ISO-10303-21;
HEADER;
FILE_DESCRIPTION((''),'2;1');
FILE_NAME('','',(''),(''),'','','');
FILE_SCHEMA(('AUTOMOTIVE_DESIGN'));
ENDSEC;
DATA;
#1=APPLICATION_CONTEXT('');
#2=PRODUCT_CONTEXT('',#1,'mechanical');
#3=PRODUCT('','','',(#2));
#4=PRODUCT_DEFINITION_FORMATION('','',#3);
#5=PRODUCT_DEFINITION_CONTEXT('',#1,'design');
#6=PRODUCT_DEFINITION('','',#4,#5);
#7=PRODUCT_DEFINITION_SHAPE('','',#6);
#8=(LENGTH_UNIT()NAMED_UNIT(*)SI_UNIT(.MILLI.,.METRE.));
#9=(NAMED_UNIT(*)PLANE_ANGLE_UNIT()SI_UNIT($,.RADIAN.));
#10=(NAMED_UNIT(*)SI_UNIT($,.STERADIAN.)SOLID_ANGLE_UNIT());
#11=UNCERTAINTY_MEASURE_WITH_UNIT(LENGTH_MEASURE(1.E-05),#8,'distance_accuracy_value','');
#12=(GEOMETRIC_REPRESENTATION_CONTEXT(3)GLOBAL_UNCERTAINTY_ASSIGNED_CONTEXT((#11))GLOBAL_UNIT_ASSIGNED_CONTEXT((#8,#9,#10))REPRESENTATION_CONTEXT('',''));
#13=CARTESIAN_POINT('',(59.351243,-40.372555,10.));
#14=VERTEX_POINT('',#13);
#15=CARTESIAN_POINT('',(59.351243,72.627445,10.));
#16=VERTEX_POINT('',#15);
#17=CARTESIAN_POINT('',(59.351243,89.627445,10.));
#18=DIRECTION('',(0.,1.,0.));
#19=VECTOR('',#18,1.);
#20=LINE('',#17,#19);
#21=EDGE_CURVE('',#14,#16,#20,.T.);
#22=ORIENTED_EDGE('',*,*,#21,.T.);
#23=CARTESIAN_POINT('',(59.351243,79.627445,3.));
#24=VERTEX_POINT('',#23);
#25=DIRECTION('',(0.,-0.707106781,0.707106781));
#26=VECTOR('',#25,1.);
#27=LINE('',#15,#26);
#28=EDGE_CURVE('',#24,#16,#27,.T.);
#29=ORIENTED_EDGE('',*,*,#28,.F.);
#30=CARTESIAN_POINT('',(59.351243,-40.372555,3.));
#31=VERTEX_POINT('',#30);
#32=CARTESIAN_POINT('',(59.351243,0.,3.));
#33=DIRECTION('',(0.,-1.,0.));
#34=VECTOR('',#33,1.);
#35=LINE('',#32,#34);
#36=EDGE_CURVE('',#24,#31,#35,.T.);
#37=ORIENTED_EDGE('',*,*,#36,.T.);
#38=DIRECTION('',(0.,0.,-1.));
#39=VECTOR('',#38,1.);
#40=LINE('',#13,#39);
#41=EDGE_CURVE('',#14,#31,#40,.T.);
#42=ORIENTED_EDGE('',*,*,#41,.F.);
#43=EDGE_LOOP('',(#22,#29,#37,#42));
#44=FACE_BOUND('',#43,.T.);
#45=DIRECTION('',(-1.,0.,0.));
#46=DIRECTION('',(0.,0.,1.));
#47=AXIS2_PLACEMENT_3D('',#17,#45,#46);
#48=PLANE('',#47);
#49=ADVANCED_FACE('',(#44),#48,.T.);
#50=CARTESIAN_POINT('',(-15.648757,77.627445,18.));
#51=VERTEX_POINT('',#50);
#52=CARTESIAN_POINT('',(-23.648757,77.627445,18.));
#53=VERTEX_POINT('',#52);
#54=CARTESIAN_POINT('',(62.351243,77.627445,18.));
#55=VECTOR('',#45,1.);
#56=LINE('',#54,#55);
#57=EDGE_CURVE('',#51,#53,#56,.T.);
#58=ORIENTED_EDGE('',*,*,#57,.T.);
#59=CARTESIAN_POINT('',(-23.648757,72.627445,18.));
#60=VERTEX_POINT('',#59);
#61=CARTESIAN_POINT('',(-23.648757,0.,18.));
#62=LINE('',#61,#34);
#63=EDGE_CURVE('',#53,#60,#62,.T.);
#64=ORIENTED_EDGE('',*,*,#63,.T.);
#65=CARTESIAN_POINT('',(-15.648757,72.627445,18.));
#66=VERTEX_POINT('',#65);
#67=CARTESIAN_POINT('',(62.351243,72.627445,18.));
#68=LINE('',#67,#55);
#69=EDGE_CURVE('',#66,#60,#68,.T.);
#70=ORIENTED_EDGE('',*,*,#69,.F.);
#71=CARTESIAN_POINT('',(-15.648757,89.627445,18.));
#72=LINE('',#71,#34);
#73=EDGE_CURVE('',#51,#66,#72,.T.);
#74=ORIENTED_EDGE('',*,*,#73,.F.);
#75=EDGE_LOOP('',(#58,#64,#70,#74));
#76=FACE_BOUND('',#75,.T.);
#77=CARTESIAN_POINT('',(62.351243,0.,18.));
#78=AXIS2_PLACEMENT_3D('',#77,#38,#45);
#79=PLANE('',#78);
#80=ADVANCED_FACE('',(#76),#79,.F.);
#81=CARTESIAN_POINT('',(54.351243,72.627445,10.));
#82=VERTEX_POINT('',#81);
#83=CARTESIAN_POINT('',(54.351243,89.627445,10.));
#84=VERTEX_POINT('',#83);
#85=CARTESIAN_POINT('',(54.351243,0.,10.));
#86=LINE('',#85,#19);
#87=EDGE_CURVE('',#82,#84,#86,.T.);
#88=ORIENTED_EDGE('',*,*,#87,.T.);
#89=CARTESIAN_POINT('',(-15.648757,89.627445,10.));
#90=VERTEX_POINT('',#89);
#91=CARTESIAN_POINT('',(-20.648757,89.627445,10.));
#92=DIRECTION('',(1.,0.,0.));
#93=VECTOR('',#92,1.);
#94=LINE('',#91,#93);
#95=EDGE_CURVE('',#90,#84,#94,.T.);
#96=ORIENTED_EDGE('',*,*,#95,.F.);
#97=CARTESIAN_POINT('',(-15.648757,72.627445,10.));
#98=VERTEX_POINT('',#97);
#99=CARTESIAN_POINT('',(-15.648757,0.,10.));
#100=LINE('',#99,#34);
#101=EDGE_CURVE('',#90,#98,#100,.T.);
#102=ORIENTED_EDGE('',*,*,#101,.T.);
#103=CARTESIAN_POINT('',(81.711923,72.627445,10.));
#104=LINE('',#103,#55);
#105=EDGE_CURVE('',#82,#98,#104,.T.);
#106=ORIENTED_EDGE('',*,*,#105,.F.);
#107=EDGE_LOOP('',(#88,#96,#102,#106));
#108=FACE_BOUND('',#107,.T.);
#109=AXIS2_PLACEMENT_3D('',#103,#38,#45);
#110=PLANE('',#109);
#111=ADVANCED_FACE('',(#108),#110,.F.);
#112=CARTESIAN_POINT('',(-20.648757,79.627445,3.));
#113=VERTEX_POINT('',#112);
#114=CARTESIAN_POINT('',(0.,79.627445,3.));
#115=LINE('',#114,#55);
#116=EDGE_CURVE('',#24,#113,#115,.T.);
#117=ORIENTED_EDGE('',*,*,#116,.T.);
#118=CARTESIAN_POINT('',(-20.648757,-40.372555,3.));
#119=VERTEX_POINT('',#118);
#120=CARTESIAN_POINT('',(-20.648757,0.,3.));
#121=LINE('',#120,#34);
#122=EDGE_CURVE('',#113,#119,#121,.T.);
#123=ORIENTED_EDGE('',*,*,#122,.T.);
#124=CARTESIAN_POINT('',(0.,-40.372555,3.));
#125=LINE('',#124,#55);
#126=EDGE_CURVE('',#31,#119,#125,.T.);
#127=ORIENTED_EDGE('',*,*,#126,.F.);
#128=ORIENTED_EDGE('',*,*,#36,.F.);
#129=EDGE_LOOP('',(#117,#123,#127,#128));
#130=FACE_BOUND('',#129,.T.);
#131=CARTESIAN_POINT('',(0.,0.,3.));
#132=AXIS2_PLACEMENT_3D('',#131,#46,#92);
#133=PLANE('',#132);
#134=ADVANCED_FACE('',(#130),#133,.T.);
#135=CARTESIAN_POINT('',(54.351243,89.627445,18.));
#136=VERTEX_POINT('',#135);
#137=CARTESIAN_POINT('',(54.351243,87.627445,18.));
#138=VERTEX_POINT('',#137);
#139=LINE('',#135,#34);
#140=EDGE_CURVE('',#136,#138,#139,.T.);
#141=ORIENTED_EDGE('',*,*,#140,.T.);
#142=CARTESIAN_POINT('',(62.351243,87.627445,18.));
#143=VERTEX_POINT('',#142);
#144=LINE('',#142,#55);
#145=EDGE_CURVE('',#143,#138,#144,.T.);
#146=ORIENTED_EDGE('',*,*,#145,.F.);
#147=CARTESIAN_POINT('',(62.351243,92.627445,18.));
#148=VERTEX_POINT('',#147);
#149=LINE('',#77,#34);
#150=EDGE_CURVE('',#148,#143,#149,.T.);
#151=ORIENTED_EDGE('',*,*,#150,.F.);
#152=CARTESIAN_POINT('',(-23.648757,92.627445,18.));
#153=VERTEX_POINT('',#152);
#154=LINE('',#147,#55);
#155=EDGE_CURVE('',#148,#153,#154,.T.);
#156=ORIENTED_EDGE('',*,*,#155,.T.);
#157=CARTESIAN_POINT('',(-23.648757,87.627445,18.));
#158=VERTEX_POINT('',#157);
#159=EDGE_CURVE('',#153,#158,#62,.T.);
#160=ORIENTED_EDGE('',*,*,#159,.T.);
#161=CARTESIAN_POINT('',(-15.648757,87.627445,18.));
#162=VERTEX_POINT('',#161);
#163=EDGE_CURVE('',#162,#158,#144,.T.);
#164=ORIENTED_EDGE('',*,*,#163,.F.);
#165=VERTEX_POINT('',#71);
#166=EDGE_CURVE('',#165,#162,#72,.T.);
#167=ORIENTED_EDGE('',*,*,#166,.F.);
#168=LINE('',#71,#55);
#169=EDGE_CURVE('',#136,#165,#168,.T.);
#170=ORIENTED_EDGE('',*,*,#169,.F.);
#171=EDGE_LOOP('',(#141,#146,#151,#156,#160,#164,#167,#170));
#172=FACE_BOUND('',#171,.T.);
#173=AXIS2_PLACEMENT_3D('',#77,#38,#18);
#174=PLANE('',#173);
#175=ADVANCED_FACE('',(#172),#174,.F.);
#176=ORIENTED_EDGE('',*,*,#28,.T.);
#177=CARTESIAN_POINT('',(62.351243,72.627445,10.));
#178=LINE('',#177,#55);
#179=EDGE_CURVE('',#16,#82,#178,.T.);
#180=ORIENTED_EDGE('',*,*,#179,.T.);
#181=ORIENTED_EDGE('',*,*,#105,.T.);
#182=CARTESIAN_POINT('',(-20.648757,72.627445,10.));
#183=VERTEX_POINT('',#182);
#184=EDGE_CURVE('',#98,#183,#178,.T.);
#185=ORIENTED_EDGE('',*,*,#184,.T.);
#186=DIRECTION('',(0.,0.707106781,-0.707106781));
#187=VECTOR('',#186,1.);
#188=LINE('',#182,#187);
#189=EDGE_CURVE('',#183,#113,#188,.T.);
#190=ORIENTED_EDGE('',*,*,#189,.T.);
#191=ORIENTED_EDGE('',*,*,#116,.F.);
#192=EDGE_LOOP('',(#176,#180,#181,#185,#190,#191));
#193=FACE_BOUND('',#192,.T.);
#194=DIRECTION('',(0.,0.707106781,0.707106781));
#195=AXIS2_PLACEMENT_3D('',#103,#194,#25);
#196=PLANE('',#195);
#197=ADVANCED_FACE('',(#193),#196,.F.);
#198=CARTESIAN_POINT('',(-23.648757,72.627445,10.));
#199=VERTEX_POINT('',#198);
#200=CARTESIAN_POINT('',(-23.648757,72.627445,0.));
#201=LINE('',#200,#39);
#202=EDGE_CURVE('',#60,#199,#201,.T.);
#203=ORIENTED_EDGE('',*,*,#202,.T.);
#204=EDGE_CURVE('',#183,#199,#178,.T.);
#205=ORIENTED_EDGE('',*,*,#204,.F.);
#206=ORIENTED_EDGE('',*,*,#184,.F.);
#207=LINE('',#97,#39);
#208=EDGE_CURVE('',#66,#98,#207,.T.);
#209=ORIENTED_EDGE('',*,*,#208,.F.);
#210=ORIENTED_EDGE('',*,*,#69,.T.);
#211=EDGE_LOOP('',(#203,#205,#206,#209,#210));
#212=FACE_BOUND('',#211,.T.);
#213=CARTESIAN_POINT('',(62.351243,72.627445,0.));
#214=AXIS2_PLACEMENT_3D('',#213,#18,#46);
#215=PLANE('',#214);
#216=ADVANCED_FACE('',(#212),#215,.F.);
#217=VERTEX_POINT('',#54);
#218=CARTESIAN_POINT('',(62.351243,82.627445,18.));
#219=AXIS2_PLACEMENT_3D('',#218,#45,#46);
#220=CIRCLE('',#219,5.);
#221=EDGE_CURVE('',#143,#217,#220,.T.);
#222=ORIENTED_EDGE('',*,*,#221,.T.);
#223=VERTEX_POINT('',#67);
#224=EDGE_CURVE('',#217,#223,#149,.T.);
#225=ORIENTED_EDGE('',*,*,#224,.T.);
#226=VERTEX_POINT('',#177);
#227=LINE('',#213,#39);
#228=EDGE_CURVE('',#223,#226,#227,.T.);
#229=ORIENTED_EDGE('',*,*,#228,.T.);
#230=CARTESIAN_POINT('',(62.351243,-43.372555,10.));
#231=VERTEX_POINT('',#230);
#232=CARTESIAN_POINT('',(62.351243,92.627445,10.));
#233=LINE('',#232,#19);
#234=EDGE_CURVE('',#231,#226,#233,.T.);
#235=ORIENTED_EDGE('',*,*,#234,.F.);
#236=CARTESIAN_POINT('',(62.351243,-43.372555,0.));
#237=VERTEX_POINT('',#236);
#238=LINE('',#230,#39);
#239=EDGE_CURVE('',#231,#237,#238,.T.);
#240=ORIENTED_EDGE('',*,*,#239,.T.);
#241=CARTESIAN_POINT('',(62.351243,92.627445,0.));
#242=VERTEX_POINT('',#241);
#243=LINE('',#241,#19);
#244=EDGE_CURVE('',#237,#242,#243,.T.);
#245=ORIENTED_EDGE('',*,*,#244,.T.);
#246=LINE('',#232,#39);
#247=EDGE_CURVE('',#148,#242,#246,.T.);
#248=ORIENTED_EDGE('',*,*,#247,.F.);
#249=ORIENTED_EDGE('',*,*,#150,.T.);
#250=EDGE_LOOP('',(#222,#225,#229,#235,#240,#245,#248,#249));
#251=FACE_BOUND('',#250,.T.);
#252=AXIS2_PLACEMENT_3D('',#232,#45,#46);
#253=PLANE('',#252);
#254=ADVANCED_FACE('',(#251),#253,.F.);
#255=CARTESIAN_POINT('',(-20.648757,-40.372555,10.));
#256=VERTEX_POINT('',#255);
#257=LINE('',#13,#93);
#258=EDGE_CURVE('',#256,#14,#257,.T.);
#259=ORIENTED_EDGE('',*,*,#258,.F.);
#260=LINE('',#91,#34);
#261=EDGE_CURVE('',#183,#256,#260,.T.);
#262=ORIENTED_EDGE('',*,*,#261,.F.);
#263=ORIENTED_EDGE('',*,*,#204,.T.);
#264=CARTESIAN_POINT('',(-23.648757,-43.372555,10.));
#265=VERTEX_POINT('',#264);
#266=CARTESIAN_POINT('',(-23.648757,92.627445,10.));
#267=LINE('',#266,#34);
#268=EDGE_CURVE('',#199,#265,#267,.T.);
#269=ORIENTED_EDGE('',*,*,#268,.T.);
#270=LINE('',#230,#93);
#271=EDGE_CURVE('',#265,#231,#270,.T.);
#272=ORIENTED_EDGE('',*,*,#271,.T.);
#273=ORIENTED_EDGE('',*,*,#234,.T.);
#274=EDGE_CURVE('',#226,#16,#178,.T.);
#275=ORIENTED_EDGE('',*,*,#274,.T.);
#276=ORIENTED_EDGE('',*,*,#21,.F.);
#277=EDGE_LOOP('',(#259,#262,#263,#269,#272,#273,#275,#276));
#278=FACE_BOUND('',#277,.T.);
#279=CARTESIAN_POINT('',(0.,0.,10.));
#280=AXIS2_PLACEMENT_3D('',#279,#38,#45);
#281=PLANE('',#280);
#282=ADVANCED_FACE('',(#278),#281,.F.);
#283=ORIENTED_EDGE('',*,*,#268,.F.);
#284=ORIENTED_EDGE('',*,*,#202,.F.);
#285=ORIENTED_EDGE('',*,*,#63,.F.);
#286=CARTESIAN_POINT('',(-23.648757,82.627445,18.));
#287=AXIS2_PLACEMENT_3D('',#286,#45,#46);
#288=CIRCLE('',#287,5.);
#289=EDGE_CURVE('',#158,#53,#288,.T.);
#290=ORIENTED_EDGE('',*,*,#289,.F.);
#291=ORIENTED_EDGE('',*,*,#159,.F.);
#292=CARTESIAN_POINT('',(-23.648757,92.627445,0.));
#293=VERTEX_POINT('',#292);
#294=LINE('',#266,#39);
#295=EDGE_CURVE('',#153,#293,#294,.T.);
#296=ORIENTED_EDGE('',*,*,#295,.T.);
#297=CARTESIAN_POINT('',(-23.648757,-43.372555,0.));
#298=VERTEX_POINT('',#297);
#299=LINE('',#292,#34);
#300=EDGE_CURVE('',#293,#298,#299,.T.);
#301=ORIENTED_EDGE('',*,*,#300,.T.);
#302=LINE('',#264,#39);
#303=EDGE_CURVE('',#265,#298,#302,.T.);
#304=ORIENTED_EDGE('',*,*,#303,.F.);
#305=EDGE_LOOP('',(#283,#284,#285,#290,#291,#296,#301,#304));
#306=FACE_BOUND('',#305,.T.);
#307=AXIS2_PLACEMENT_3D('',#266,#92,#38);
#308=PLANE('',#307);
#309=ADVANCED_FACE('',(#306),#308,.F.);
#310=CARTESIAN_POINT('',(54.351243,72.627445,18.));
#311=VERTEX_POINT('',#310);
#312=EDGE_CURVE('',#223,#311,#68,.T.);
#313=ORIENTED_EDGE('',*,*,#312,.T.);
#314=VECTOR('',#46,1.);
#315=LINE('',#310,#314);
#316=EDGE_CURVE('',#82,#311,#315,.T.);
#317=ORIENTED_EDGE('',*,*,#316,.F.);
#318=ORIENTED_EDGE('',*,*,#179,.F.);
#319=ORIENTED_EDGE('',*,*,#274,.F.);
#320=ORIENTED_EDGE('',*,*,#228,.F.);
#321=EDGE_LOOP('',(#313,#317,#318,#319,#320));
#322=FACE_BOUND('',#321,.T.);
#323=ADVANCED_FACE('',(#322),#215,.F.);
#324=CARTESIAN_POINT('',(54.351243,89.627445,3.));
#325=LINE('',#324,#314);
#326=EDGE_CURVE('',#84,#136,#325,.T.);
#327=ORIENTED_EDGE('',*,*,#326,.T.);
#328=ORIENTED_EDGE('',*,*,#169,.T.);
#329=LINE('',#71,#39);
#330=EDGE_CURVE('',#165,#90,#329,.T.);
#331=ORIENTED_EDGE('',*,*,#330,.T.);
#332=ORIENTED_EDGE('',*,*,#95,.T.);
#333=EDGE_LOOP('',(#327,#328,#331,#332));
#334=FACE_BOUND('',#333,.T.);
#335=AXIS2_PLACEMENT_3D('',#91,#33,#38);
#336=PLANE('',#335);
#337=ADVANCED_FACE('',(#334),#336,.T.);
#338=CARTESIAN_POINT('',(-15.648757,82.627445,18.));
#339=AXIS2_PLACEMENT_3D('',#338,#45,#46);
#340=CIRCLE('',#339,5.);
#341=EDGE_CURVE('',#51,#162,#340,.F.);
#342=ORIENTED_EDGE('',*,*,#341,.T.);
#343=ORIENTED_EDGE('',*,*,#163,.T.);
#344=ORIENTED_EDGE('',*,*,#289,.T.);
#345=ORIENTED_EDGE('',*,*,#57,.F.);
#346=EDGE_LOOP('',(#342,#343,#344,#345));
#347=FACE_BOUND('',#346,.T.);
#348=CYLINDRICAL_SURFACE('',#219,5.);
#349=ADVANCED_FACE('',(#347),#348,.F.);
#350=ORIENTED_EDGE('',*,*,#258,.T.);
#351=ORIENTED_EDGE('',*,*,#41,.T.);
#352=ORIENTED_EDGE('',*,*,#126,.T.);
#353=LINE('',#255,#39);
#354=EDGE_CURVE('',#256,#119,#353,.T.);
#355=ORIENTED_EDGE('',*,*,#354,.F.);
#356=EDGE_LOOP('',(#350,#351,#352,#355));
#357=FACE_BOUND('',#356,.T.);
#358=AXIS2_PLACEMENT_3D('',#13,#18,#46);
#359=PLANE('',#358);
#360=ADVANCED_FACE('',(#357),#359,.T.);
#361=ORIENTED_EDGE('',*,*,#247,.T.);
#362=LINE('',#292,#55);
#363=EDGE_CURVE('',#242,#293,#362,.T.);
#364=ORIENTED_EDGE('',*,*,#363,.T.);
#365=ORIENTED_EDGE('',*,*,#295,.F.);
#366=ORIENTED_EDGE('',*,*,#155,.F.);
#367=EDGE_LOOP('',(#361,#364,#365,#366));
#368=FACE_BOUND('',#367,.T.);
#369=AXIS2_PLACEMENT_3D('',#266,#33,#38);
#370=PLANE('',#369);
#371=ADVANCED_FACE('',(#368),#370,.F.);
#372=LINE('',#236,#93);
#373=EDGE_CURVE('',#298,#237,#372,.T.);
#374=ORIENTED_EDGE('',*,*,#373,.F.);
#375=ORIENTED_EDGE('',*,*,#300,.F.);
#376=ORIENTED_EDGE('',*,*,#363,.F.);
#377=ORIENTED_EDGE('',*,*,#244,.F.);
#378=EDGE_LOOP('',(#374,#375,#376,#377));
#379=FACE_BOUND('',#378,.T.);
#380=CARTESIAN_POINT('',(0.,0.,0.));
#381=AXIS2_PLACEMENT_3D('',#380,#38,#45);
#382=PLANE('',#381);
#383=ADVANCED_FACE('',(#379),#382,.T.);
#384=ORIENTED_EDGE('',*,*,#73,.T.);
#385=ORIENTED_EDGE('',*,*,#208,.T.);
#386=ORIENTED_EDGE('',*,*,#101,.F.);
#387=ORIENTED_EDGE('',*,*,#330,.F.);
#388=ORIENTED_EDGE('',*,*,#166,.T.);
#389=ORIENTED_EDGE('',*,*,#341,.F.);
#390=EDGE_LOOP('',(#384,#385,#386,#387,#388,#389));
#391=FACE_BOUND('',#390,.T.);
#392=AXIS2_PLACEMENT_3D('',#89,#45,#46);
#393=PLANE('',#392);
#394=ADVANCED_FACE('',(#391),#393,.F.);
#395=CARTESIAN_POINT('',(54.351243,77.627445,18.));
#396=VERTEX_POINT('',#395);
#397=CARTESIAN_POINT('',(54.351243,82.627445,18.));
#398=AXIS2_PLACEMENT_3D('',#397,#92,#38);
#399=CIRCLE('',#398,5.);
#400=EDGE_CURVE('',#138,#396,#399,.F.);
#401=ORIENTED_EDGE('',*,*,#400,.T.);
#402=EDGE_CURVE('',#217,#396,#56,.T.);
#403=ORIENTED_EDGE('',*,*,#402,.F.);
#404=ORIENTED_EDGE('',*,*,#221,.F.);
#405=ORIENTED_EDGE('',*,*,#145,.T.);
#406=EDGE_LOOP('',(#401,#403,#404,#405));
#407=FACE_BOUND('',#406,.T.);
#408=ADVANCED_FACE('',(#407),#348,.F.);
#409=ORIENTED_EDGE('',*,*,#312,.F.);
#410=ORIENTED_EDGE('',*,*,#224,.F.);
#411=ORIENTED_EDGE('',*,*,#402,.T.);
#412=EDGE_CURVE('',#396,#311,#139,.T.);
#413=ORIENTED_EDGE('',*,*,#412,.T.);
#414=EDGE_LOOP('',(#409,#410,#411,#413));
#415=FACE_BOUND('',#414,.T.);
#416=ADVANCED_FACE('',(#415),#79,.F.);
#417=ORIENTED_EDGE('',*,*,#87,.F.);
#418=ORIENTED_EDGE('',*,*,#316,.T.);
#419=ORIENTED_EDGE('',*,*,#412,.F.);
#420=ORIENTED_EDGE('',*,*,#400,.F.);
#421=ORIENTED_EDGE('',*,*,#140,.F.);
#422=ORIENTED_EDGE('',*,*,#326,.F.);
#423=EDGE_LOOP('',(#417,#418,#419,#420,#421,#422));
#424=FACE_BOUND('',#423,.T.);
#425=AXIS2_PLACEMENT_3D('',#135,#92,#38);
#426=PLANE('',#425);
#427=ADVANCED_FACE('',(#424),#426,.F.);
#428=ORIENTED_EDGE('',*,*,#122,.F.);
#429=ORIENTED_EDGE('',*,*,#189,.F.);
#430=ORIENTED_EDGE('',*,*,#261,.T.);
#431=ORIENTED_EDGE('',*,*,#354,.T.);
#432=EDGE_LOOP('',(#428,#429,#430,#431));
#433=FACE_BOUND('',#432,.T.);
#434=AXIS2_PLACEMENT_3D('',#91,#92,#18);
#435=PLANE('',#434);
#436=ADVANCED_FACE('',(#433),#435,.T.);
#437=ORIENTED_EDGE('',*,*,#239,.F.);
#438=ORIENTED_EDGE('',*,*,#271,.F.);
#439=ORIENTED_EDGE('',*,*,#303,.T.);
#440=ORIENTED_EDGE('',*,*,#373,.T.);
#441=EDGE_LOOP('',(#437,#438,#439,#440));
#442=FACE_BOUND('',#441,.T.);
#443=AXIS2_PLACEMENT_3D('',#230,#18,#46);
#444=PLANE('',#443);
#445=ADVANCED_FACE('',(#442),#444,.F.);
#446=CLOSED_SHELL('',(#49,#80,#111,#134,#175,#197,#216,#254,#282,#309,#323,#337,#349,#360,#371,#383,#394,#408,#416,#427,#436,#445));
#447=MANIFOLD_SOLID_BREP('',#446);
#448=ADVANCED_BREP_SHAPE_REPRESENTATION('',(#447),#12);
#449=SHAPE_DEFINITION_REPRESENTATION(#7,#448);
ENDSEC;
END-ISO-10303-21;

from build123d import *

# Parameters (mm, degrees)
IZIM1_W                     = 86
IZIM1_H                     = 136
IZIM1_W_2                   = 80
IZIM1_H_2                   = 130
Y_KSEKLIK_EKSTR_ZYON1_DEPTH = 10
IZIM1_2_W                   = 80
IZIM1_2_H                   = 130
Y_KSEKLIK_EKSTR_ZYON2_DEPTH = 3
Y_KSEKLIK_EKSTR_ZYON3_DEPTH = 86
KES_EKSTR_ZYON2_DEPTH       = 17
Y_KSEKLIK_EKSTR_ZYON4_REACH = 127.67


with BuildPart() as part:
    # Çizim1 → Yükseklik-Ekstrüzyon1 (new body)
    with BuildSketch(Plane.XY):
        with Locations((19.351242886, 24.627445339)):
            Rectangle(IZIM1_W, IZIM1_H)
        with Locations((19.351242886, 24.627445339)):
            Rectangle(IZIM1_W_2, IZIM1_H_2, mode=Mode.SUBTRACT)
    extrude(amount=Y_KSEKLIK_EKSTR_ZYON1_DEPTH)

    # Çizim1<2> → Yükseklik-Ekstrüzyon2 (add)
    with BuildSketch(Plane.XY):
        with Locations((19.351242886, 24.627445339)):
            Rectangle(IZIM1_2_W, IZIM1_2_H)
    extrude(amount=Y_KSEKLIK_EKSTR_ZYON2_DEPTH)

    # Çizim2 → Yükseklik-Ekstrüzyon3 (add, through all)
    with BuildSketch(Plane.ZY.offset(23.648757114)):
        with BuildLine():
            Line((18, 92.627445339), (10, 92.627445339))
            Line((10, 92.627445339), (10, 87.627445339))
            Line((10, 87.627445339), (10, 77.627445339))
            Line((10, 77.627445339), (10, 72.627445339))
            Line((10, 72.627445339), (18, 72.627445339))
            Line((18, 72.627445339), (18, 75.627445339))
            Line((18, 75.627445339), (18, 77.627445339))
            ThreePointArc((18, 77.627445339), (13, 82.627445339), (18, 87.627445339))
            Line((18, 87.627445339), (18, 89.627445339))
            Line((18, 89.627445339), (18, 92.627445339))
        make_face()
    extrude(amount=-Y_KSEKLIK_EKSTR_ZYON3_DEPTH)

    # Çizim5 → Kes-Ekstrüzyon2 (cut)
    with BuildSketch(Plane.XZ.offset(-72.627445339)):
        Polygon((-15.648757114, 10), (-15.648757114, 3), (54.351242886, 3), (54.351242886, 10), (54.351242886, 18), (-15.648757114, 18), align=None)
    extrude(amount=-KES_EKSTR_ZYON2_DEPTH, mode=Mode.SUBTRACT)

    # Yükseklik-Ekstrüzyon4: up to this face of the body (flat: up to its plane)
    y_kseklik_ekstr_zyon4_end = Plane(part.part.faces().sort_by_distance((59.351242886, 24.627445339, 6.5))[0])
    # Çizim6 → Yükseklik-Ekstrüzyon4 (add, up to the picked face)
    with BuildSketch(Plane(origin=(-20.648757114, 0, 0), x_dir=(0, 0, -1), z_dir=(1, 0, 0)), mode=Mode.PRIVATE) as y_kseklik_ekstr_zyon4_sk1:
        Polygon((-10, 72.627445339), (0, 82.627445339), (0, 92.627445339), (-10, 92.627445339), align=None)
    y_kseklik_ekstr_zyon4_tool1 = split(extrude(y_kseklik_ekstr_zyon4_sk1.sketch, amount=Y_KSEKLIK_EKSTR_ZYON4_REACH, mode=Mode.PRIVATE), bisect_by=y_kseklik_ekstr_zyon4_end, keep=Keep.BOTH, mode=Mode.PRIVATE)
    add(y_kseklik_ekstr_zyon4_tool1.solids().sort_by(Axis((-20.648757, 84.849668, 5.555556), (1, 0, 0)))[0])


solid = part.part
